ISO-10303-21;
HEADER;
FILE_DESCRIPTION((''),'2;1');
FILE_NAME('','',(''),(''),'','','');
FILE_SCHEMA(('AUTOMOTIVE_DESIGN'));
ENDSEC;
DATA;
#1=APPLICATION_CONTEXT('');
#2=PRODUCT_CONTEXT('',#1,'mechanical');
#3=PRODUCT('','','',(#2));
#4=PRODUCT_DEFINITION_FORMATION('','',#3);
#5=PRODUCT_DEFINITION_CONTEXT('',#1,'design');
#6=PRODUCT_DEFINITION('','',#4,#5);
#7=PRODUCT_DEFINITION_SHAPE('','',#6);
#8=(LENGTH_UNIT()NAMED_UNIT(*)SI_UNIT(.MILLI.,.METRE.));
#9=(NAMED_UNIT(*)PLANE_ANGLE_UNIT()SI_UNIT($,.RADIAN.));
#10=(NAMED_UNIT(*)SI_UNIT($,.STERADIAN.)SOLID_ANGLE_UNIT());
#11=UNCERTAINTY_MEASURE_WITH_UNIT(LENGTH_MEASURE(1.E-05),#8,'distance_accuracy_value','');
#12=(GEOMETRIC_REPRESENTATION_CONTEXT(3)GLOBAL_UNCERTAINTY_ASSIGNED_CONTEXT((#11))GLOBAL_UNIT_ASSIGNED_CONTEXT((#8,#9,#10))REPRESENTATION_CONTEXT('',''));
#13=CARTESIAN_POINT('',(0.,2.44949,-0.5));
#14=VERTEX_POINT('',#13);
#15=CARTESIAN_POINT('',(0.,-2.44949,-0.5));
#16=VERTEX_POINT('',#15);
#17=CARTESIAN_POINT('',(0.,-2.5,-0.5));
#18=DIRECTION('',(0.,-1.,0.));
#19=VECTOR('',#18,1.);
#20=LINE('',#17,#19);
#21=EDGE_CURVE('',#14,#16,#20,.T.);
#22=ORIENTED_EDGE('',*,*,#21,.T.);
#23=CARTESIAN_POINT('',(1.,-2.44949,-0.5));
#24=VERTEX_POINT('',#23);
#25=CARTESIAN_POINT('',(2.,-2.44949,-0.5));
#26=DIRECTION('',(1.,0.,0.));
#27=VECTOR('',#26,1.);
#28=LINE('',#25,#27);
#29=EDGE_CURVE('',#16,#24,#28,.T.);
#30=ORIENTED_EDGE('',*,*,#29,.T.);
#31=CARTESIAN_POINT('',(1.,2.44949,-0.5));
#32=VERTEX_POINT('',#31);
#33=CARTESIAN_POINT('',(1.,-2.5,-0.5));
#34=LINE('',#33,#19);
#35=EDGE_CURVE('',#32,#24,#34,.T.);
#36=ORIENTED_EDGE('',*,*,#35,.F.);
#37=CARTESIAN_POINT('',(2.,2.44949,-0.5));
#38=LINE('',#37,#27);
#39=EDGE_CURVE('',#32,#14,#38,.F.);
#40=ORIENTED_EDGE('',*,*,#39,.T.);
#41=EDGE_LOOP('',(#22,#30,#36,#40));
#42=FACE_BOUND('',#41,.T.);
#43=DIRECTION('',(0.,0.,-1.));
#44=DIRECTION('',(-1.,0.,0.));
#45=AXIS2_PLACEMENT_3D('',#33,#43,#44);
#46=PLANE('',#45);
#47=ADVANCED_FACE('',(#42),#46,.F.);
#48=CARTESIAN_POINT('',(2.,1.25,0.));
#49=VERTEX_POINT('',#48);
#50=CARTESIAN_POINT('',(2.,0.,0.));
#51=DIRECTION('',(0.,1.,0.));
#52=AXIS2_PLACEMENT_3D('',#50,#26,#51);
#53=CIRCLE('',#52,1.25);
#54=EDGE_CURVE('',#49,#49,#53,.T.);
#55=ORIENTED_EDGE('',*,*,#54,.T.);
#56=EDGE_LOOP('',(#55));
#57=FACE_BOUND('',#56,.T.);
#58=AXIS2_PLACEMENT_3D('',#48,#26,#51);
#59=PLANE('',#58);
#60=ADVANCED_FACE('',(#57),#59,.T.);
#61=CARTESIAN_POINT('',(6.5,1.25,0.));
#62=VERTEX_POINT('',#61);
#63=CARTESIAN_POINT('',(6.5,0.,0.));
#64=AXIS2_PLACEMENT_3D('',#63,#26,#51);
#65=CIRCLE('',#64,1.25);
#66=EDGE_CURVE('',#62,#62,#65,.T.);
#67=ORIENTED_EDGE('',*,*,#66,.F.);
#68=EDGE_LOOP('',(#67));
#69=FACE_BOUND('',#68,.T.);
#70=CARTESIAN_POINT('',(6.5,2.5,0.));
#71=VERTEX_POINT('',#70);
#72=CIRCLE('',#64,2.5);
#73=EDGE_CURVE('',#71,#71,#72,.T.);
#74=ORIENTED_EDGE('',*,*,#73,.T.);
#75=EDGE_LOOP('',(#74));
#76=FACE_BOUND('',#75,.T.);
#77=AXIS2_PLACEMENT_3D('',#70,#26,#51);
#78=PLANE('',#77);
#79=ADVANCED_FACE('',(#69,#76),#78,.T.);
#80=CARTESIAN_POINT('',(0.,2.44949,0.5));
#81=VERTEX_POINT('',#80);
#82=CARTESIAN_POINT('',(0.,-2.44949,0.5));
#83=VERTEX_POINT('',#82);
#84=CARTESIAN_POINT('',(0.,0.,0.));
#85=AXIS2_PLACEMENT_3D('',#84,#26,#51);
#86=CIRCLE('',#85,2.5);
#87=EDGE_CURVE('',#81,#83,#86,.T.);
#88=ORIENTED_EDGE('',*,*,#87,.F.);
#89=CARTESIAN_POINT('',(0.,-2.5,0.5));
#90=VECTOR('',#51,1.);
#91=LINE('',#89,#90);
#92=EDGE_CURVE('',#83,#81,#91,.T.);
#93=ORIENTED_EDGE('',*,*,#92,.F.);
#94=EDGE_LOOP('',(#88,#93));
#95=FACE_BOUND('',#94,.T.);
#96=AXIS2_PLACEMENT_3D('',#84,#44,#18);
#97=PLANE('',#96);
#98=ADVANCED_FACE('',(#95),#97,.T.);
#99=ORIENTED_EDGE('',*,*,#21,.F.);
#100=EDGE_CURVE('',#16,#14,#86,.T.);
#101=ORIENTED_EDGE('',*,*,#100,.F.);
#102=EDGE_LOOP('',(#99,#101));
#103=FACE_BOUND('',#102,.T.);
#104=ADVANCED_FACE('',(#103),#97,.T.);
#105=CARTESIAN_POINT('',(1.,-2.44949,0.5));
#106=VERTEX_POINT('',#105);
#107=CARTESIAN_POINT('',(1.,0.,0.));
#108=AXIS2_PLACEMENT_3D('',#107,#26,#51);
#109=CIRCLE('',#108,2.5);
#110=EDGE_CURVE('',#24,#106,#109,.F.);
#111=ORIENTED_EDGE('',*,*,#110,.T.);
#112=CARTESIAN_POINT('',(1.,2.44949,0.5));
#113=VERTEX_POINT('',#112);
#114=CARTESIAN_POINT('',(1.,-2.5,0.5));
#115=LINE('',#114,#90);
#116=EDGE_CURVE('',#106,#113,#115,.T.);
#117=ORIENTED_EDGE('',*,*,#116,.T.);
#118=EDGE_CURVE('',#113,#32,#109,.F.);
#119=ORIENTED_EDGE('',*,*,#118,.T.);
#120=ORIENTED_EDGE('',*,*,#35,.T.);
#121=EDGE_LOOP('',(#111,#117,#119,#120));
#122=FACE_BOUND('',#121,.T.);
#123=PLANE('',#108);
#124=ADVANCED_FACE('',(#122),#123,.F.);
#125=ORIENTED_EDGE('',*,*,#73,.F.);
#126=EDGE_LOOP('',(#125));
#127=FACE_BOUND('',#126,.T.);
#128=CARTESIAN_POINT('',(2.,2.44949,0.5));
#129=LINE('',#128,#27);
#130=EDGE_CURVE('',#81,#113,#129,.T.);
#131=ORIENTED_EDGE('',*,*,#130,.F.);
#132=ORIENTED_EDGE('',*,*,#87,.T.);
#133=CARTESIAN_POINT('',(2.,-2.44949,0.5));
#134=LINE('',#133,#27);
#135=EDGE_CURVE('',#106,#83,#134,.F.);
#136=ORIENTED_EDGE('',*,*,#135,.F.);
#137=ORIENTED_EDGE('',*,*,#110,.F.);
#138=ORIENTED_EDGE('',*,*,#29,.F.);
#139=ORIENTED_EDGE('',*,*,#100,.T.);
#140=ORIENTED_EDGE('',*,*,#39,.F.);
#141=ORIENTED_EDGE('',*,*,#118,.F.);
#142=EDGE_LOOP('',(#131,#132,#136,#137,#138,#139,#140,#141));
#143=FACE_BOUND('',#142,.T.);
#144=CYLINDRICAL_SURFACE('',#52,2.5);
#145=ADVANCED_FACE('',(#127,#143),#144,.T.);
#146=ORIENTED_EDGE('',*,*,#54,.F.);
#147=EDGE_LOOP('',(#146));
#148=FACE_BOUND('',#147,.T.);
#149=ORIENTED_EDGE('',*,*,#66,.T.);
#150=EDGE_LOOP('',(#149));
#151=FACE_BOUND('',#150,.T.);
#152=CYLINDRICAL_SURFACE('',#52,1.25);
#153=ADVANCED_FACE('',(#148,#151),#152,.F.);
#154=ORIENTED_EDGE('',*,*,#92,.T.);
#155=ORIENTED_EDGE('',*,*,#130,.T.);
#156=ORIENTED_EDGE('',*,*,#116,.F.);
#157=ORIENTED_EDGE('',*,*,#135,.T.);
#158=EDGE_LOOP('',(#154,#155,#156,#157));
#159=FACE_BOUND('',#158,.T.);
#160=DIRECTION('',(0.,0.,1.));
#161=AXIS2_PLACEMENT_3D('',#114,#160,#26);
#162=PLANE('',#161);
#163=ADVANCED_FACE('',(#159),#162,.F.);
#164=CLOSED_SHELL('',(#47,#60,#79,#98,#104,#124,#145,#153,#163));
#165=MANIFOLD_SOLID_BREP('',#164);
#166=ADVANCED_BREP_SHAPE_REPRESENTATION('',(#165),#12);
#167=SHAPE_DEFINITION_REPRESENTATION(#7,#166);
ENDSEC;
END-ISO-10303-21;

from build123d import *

# Parameters (mm, degrees)
SKETCH2_W          = 1
SKETCH2_H          = 5
CUT_EXTRUDE1_DEPTH = 1


with BuildPart() as part:
    # Sketch1 → Revolve1 (revolve)
    with BuildSketch(Plane.XY):
        Polygon((0, 0), (0, 2.5), (6.5, 2.5), (6.5, 1.25), (2, 1.25), (2, 0), align=None)
    revolve(axis=Axis((2, 0, 0), (-1, 0, 0)))

    # Sketch2 → Cut-Extrude1 (cut)
    with BuildSketch(Plane.ZY):
        Rectangle(SKETCH2_W, SKETCH2_H)
    extrude(amount=-CUT_EXTRUDE1_DEPTH, mode=Mode.SUBTRACT)


solid = part.part
